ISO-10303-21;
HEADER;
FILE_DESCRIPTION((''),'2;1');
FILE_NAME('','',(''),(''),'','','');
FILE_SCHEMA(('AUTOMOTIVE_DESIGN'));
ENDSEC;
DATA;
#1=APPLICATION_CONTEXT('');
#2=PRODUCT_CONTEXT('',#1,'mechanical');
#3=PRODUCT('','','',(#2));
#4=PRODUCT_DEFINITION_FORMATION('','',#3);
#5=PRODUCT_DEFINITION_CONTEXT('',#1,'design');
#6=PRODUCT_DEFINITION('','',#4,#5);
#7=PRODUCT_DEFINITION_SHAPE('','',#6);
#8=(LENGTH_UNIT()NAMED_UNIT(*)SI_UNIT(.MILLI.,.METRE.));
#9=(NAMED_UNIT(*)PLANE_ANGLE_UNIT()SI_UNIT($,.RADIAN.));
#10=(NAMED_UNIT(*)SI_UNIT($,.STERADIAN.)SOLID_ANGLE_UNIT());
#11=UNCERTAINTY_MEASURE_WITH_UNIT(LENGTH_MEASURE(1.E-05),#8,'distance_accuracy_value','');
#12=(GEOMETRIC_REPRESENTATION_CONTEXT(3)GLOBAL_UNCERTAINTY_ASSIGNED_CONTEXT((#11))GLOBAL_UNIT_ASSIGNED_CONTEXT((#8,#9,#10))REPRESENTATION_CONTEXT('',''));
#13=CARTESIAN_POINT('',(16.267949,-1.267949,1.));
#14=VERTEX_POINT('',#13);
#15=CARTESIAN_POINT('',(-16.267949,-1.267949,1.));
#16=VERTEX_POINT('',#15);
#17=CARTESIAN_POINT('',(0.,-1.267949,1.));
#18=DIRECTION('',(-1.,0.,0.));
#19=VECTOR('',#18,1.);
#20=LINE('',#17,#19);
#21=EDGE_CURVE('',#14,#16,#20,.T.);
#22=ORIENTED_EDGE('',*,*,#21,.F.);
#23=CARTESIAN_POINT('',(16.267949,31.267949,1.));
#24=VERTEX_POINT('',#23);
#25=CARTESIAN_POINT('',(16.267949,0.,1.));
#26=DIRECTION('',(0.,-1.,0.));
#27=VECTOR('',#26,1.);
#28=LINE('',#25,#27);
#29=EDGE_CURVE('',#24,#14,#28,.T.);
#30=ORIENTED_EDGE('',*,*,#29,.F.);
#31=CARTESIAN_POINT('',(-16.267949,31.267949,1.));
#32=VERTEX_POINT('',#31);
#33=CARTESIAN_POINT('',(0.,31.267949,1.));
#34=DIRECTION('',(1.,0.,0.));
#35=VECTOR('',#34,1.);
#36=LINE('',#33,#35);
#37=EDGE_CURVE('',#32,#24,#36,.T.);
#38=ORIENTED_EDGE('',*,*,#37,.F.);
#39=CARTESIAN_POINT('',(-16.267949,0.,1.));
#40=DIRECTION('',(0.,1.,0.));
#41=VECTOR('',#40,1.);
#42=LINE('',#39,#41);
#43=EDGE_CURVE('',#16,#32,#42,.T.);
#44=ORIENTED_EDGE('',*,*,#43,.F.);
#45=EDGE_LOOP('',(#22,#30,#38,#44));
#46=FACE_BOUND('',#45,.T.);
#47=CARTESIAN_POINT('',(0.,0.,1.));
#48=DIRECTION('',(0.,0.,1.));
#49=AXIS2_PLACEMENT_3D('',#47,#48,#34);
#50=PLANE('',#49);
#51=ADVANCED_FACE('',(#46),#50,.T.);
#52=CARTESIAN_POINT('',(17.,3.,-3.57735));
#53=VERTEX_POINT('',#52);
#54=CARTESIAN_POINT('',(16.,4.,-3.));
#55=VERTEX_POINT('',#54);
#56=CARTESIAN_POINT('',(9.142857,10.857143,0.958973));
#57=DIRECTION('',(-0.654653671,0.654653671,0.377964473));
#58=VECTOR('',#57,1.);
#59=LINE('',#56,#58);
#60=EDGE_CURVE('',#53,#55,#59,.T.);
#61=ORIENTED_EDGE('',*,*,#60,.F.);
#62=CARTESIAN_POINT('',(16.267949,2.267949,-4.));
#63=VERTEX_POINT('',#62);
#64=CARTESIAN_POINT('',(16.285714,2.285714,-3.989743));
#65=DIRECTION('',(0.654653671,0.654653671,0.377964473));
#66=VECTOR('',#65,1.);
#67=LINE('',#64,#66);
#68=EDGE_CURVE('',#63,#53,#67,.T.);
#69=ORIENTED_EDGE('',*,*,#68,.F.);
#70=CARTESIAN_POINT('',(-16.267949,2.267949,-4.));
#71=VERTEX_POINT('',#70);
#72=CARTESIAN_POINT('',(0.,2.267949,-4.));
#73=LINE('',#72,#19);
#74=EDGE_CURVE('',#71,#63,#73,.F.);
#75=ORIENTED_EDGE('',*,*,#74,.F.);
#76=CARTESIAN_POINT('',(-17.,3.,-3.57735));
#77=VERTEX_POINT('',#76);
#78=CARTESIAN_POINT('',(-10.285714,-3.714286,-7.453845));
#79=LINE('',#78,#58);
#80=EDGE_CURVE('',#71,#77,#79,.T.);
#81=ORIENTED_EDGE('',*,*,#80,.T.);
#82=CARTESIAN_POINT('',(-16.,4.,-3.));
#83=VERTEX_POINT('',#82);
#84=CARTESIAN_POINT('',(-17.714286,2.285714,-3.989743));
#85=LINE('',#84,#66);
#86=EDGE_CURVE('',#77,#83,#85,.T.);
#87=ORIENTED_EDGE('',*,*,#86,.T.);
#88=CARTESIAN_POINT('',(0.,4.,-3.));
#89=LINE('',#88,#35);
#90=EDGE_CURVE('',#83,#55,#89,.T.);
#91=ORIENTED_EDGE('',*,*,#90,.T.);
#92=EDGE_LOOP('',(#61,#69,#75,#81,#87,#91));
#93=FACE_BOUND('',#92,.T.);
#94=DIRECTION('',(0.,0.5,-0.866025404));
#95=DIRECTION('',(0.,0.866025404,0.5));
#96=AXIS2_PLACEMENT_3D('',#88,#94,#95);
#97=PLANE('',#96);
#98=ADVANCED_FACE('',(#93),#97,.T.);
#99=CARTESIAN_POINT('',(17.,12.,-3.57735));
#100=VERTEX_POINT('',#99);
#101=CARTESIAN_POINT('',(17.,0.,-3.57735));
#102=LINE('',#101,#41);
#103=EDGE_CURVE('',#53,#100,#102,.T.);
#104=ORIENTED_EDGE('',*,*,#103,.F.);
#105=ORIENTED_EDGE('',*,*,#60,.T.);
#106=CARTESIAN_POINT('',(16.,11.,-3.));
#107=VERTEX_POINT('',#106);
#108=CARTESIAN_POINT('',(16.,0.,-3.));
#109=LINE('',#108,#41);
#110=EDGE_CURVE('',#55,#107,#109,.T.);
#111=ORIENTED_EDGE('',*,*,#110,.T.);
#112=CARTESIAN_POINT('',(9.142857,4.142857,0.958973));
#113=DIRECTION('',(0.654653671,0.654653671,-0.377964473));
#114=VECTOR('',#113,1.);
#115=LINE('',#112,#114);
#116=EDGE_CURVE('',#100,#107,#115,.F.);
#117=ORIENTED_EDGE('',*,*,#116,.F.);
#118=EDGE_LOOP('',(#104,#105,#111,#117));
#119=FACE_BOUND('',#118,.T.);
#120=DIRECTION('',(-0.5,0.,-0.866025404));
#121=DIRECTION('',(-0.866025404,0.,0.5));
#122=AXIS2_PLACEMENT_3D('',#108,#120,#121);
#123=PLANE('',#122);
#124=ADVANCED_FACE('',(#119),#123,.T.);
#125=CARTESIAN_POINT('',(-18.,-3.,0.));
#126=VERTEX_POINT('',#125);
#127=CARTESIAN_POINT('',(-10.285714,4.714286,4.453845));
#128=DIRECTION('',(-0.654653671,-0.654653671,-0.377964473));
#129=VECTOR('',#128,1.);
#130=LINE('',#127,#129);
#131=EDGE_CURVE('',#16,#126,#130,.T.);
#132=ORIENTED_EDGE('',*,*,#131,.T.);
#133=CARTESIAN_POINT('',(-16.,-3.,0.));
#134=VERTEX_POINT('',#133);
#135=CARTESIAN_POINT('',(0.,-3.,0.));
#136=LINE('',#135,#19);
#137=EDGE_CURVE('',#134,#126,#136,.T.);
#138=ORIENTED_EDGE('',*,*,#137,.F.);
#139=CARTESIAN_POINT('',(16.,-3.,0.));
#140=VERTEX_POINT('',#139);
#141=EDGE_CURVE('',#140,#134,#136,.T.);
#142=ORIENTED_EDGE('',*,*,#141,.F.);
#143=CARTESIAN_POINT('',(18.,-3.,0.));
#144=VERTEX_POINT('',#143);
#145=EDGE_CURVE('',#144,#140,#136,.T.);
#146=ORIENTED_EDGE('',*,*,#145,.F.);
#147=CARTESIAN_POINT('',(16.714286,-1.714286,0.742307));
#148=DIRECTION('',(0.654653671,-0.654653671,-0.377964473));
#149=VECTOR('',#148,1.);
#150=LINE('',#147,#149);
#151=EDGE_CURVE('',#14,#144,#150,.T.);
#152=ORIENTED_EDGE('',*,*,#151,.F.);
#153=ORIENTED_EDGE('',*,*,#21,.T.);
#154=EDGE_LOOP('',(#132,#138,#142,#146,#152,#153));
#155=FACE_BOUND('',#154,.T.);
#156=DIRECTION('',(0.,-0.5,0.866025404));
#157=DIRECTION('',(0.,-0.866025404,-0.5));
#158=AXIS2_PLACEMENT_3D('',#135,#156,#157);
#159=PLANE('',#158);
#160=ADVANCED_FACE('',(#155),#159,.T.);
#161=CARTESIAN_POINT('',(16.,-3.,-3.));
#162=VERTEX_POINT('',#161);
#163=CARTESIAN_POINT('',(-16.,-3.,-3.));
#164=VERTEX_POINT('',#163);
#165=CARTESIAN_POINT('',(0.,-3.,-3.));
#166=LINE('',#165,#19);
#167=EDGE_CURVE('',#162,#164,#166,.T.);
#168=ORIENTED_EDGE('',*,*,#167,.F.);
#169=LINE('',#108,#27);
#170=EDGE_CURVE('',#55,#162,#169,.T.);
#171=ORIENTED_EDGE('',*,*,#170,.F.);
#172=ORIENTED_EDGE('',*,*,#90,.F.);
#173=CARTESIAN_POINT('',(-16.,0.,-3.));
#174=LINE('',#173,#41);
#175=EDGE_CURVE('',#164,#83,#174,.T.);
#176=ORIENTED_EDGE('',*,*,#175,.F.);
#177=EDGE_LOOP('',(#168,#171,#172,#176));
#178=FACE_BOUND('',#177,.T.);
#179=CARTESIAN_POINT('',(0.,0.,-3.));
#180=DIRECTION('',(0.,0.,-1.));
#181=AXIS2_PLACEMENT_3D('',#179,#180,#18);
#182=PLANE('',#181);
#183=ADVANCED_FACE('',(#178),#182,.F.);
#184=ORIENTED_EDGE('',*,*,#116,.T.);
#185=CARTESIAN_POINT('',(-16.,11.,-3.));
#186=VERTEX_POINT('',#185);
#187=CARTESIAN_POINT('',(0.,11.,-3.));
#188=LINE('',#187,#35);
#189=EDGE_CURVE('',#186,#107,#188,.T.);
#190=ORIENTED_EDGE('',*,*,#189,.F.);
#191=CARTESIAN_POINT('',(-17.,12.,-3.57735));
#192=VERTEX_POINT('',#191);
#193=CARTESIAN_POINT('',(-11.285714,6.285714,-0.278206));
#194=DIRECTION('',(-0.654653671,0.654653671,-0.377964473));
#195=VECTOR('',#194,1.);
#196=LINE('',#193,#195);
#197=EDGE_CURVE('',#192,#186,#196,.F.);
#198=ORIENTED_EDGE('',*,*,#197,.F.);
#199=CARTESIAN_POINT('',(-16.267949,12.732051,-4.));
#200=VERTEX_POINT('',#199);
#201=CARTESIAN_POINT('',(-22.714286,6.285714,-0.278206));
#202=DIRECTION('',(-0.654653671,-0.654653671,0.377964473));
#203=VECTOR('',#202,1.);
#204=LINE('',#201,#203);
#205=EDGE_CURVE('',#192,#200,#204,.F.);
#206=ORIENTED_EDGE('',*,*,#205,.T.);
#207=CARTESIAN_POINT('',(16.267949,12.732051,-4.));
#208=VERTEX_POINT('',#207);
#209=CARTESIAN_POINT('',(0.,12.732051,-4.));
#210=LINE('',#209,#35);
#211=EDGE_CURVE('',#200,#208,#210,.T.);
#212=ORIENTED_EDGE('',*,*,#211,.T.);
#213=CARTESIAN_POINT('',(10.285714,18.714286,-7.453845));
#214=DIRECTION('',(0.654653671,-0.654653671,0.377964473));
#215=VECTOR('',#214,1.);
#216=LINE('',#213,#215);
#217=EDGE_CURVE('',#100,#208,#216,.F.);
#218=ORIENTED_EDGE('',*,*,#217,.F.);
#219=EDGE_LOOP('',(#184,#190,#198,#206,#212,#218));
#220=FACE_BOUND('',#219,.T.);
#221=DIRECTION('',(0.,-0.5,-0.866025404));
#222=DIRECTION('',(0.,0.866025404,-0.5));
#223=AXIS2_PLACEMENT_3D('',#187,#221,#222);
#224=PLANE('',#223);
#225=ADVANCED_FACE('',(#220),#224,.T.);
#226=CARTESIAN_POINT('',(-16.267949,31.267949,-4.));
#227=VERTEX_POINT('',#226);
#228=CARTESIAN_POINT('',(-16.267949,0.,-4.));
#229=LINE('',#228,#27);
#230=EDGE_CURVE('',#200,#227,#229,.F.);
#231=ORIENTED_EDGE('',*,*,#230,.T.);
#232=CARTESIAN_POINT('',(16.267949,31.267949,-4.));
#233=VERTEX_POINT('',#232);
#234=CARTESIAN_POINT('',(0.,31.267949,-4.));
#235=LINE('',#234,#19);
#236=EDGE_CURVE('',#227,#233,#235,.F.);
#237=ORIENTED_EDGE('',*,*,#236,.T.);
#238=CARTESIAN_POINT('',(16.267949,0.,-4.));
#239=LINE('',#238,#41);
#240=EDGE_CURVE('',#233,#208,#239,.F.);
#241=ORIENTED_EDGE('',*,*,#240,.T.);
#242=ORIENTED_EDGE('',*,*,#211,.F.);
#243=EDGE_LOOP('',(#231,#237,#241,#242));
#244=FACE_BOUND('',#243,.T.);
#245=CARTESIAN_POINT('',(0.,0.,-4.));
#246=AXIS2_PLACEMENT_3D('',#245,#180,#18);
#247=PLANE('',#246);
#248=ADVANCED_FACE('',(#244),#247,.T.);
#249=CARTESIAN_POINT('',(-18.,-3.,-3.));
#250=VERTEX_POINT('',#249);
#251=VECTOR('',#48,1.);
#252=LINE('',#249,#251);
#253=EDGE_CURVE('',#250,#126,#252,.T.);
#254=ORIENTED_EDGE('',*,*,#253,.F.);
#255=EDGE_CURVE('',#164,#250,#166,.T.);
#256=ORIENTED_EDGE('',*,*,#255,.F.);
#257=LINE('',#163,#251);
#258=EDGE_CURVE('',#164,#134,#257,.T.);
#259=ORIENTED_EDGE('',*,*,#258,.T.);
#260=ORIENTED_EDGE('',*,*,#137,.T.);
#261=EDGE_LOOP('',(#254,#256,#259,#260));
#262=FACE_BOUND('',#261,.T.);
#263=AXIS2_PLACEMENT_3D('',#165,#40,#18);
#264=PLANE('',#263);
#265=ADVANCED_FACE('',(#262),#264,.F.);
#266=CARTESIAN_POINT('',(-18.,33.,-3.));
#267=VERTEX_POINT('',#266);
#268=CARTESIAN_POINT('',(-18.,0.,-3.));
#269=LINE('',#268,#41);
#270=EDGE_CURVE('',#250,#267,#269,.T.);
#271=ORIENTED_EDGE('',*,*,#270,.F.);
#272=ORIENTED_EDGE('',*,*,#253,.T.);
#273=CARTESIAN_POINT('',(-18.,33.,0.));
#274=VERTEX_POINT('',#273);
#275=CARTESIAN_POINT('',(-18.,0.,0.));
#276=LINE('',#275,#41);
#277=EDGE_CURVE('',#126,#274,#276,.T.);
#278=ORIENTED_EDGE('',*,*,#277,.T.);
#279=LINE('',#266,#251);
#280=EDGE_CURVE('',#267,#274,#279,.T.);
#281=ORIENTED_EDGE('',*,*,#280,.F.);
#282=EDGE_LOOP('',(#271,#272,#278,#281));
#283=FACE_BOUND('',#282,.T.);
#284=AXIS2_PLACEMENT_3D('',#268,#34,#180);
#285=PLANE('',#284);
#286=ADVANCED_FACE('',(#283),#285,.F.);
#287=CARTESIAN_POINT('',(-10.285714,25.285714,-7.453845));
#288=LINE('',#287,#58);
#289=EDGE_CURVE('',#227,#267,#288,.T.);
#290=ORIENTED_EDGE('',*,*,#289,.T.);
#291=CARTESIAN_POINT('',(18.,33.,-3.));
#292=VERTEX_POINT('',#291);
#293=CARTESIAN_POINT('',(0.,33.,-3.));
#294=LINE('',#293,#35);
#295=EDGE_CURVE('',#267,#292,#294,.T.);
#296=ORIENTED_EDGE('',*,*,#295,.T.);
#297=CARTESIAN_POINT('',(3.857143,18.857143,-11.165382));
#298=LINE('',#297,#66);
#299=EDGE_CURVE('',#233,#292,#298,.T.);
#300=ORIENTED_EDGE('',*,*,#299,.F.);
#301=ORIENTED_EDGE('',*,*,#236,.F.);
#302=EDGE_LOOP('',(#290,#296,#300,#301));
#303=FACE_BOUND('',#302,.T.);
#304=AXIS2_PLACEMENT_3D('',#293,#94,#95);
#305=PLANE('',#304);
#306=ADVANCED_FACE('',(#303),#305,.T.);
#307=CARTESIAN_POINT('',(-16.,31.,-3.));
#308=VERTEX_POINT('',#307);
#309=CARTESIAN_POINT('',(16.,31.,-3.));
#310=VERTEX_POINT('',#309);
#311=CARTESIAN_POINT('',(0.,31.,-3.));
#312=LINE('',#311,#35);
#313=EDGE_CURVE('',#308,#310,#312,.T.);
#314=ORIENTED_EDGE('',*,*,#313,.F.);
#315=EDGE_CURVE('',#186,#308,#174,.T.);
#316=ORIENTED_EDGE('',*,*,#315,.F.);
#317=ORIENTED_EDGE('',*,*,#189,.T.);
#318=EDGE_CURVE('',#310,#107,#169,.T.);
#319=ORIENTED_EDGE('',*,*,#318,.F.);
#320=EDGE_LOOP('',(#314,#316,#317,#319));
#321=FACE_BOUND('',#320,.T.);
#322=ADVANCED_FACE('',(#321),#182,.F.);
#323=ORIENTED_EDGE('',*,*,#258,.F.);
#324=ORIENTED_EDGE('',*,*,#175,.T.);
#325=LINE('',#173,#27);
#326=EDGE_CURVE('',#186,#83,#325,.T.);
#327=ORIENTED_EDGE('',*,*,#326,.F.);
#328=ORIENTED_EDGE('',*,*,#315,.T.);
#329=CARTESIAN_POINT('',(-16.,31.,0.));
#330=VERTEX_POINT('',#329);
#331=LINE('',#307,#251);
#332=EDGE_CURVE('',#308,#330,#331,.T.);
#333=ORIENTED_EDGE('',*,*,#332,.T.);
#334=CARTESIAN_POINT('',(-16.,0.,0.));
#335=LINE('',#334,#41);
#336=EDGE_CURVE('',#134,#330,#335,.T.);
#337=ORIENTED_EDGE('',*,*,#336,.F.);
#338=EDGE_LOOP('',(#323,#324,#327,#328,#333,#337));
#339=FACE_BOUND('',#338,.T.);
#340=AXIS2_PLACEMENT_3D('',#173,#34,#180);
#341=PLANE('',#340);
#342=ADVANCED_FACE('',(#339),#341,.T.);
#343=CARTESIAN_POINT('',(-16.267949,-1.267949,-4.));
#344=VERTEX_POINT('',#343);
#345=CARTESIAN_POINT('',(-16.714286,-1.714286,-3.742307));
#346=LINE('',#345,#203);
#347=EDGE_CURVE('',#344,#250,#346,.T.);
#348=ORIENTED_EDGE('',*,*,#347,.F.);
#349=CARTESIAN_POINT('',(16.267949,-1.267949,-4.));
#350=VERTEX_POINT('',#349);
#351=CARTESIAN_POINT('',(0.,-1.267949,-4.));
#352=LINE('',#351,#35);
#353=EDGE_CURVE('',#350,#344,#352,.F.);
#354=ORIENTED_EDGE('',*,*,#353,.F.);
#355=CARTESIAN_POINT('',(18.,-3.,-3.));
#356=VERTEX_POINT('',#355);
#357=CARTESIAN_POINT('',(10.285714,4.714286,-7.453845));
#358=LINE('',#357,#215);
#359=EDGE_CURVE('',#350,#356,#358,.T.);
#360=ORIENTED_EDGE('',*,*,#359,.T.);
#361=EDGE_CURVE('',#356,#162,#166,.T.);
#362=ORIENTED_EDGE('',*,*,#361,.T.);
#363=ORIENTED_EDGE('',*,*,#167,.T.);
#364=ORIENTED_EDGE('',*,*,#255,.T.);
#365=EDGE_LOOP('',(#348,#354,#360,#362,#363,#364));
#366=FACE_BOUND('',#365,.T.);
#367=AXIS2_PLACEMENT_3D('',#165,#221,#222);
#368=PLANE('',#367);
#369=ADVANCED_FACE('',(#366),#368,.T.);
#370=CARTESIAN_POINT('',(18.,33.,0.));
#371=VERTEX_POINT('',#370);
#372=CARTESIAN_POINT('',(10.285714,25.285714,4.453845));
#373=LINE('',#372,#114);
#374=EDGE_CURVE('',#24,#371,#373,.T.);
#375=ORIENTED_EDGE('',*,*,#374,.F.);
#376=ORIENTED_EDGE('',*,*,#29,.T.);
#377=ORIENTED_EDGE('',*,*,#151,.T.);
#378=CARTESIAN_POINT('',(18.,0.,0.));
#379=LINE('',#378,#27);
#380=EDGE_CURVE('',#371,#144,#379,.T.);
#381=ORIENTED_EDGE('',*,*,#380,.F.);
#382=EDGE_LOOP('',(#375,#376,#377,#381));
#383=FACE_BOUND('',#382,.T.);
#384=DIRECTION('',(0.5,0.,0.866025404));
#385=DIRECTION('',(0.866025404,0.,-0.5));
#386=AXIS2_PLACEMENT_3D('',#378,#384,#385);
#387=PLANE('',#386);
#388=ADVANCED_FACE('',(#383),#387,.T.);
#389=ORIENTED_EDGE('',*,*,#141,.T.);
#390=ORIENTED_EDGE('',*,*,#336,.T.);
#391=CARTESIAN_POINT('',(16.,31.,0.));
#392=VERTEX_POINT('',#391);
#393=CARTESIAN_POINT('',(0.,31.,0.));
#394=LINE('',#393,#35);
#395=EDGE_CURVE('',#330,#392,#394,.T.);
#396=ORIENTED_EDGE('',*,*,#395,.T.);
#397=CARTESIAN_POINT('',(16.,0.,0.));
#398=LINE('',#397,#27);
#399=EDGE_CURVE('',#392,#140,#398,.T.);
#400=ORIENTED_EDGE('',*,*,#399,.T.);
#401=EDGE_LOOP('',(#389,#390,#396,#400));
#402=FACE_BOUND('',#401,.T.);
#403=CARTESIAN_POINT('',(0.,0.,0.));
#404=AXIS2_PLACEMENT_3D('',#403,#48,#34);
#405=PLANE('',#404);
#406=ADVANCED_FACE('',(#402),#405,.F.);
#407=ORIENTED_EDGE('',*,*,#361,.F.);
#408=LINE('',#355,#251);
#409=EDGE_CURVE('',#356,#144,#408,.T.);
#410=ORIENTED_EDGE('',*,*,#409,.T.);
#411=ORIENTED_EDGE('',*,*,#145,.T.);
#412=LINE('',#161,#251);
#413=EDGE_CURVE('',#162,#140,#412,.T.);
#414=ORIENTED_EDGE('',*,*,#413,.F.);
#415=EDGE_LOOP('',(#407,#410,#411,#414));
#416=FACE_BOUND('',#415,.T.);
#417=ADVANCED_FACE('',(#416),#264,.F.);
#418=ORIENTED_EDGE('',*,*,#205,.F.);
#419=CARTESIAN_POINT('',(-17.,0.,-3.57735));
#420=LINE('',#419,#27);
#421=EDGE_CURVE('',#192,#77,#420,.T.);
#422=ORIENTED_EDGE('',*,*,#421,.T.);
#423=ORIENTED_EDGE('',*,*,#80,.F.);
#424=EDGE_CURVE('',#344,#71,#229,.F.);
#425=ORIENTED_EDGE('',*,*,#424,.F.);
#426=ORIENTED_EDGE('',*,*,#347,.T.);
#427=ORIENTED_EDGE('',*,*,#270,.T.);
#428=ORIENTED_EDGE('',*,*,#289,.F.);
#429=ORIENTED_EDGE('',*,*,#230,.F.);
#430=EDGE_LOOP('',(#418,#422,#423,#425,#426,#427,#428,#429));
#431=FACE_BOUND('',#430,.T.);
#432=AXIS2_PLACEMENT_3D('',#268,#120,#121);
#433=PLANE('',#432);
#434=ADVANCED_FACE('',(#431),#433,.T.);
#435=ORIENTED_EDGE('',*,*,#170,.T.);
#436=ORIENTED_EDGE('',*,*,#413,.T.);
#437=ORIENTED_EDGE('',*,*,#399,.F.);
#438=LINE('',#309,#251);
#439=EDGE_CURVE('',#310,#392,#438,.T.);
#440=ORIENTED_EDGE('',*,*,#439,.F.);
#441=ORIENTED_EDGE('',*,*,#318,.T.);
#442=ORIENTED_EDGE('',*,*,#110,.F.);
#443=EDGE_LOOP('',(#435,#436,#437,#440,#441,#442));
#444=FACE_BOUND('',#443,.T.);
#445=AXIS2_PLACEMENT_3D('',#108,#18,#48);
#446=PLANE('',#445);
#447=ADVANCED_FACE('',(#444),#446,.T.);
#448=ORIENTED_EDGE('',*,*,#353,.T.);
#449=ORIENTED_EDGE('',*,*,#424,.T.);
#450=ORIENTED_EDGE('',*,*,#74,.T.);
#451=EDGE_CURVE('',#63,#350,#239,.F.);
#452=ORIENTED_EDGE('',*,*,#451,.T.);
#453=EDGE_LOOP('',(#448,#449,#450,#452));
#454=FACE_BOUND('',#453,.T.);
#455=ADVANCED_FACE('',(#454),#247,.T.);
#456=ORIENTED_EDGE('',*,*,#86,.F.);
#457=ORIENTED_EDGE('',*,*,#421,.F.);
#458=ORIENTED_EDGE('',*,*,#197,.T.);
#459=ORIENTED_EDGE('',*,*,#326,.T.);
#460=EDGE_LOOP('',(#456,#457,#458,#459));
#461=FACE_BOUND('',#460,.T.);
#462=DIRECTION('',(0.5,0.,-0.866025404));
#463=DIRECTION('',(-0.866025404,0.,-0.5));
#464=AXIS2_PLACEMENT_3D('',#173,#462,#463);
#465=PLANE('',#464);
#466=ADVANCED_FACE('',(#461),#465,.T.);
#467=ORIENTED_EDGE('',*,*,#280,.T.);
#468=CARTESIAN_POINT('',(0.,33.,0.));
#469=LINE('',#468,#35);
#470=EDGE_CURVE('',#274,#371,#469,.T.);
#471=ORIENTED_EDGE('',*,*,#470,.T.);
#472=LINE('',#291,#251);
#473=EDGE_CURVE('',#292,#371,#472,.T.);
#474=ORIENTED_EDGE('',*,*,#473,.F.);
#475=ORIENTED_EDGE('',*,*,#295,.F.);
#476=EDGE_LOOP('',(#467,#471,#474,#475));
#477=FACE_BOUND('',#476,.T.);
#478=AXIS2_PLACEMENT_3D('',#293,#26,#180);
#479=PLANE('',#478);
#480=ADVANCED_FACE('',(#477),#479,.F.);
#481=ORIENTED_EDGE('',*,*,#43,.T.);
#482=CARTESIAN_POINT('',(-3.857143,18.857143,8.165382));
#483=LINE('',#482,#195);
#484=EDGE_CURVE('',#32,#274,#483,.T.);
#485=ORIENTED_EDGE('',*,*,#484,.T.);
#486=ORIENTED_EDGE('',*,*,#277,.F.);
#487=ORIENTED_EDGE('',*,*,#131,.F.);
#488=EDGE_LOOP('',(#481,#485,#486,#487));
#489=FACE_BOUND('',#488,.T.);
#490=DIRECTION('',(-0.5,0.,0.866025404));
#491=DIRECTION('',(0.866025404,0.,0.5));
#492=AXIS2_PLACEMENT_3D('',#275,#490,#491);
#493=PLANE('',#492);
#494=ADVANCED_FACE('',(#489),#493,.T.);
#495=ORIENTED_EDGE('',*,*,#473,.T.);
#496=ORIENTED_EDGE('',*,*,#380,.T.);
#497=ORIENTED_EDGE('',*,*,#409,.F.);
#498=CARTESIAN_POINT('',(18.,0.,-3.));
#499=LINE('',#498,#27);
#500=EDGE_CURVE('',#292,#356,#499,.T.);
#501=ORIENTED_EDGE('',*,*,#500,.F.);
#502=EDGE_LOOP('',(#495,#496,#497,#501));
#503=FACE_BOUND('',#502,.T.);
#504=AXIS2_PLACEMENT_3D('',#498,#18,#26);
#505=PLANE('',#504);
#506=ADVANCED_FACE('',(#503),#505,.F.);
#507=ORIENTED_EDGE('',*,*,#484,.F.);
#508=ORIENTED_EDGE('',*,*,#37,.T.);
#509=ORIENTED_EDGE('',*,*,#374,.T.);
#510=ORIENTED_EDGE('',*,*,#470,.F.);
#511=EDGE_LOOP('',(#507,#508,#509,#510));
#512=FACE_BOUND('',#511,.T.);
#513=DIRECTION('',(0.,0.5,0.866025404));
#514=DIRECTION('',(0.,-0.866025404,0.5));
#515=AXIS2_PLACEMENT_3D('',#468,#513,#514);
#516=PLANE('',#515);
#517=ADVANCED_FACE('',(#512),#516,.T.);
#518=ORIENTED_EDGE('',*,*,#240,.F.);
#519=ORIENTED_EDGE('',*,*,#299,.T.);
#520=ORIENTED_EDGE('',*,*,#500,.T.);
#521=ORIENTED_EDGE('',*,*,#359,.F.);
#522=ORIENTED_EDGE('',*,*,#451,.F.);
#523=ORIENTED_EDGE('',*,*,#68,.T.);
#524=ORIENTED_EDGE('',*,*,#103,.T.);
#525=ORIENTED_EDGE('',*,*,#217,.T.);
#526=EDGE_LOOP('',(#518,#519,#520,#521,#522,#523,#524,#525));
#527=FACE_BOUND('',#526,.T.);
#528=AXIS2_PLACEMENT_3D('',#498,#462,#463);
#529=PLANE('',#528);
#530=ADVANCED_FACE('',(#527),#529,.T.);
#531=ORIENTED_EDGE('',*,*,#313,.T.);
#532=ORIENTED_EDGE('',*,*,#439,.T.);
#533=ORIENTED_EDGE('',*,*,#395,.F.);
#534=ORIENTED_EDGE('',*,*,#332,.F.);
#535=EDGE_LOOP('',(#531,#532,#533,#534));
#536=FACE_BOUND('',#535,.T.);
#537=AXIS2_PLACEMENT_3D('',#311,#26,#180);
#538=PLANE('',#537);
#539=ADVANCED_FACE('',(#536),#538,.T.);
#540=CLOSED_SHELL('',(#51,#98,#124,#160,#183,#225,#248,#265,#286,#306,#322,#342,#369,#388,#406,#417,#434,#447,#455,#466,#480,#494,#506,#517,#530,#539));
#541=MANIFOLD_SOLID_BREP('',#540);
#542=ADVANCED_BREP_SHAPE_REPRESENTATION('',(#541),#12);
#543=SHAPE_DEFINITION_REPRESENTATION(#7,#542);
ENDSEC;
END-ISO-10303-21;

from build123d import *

# Parameters (mm, degrees)
ESBO_O1_W                = 36
ESBO_O1_H                = 36
RESSALTO_EXTRUS_O1_DEPTH = 1
RESSALTO_EXTRUS_O1_TAPER = 60
RESSALTO_EXTRUS_O2_DEPTH = 3
ESBO_O2_W                = 36
ESBO_O2_H                = 36
ESBO_O2_W_2              = 32
ESBO_O2_H_2              = 7
RESSALTO_EXTRUS_O3_DEPTH = 1
RESSALTO_EXTRUS_O3_TAPER = 60


with BuildPart() as part:
    # Esboço1 → Ressalto-extrusão1 (new body)
    with BuildSketch(Plane.XY):
        with Locations((0, 15)):
            Rectangle(ESBO_O1_W, ESBO_O1_H)
    extrude(amount=RESSALTO_EXTRUS_O1_DEPTH, taper=RESSALTO_EXTRUS_O1_TAPER)

    # Esboço1<4> → Ressalto-extrusão2 (add)
    with BuildSketch(Plane.XY):
        Polygon((16, 31), (16, -1), (16, -3), (18, -3), (18, 33), (0, 33), (-18, 33), (-18, -3), (-16, -3), (-16, -1), (-16, 31), (0, 31), align=None)
    extrude(amount=-RESSALTO_EXTRUS_O2_DEPTH)

    # Esboço2 → Ressalto-extrusão3 (add)
    with BuildSketch(Plane(origin=(0, 0, -3), x_dir=(-1, 0, 0), z_dir=(0, 0, -1))):
        with Locations((0, 15)):
            Rectangle(ESBO_O2_W, ESBO_O2_H)
        with Locations((0, 7.5)):
            Rectangle(ESBO_O2_W_2, ESBO_O2_H_2, mode=Mode.SUBTRACT)
    extrude(amount=RESSALTO_EXTRUS_O3_DEPTH, taper=RESSALTO_EXTRUS_O3_TAPER)


solid = part.part
